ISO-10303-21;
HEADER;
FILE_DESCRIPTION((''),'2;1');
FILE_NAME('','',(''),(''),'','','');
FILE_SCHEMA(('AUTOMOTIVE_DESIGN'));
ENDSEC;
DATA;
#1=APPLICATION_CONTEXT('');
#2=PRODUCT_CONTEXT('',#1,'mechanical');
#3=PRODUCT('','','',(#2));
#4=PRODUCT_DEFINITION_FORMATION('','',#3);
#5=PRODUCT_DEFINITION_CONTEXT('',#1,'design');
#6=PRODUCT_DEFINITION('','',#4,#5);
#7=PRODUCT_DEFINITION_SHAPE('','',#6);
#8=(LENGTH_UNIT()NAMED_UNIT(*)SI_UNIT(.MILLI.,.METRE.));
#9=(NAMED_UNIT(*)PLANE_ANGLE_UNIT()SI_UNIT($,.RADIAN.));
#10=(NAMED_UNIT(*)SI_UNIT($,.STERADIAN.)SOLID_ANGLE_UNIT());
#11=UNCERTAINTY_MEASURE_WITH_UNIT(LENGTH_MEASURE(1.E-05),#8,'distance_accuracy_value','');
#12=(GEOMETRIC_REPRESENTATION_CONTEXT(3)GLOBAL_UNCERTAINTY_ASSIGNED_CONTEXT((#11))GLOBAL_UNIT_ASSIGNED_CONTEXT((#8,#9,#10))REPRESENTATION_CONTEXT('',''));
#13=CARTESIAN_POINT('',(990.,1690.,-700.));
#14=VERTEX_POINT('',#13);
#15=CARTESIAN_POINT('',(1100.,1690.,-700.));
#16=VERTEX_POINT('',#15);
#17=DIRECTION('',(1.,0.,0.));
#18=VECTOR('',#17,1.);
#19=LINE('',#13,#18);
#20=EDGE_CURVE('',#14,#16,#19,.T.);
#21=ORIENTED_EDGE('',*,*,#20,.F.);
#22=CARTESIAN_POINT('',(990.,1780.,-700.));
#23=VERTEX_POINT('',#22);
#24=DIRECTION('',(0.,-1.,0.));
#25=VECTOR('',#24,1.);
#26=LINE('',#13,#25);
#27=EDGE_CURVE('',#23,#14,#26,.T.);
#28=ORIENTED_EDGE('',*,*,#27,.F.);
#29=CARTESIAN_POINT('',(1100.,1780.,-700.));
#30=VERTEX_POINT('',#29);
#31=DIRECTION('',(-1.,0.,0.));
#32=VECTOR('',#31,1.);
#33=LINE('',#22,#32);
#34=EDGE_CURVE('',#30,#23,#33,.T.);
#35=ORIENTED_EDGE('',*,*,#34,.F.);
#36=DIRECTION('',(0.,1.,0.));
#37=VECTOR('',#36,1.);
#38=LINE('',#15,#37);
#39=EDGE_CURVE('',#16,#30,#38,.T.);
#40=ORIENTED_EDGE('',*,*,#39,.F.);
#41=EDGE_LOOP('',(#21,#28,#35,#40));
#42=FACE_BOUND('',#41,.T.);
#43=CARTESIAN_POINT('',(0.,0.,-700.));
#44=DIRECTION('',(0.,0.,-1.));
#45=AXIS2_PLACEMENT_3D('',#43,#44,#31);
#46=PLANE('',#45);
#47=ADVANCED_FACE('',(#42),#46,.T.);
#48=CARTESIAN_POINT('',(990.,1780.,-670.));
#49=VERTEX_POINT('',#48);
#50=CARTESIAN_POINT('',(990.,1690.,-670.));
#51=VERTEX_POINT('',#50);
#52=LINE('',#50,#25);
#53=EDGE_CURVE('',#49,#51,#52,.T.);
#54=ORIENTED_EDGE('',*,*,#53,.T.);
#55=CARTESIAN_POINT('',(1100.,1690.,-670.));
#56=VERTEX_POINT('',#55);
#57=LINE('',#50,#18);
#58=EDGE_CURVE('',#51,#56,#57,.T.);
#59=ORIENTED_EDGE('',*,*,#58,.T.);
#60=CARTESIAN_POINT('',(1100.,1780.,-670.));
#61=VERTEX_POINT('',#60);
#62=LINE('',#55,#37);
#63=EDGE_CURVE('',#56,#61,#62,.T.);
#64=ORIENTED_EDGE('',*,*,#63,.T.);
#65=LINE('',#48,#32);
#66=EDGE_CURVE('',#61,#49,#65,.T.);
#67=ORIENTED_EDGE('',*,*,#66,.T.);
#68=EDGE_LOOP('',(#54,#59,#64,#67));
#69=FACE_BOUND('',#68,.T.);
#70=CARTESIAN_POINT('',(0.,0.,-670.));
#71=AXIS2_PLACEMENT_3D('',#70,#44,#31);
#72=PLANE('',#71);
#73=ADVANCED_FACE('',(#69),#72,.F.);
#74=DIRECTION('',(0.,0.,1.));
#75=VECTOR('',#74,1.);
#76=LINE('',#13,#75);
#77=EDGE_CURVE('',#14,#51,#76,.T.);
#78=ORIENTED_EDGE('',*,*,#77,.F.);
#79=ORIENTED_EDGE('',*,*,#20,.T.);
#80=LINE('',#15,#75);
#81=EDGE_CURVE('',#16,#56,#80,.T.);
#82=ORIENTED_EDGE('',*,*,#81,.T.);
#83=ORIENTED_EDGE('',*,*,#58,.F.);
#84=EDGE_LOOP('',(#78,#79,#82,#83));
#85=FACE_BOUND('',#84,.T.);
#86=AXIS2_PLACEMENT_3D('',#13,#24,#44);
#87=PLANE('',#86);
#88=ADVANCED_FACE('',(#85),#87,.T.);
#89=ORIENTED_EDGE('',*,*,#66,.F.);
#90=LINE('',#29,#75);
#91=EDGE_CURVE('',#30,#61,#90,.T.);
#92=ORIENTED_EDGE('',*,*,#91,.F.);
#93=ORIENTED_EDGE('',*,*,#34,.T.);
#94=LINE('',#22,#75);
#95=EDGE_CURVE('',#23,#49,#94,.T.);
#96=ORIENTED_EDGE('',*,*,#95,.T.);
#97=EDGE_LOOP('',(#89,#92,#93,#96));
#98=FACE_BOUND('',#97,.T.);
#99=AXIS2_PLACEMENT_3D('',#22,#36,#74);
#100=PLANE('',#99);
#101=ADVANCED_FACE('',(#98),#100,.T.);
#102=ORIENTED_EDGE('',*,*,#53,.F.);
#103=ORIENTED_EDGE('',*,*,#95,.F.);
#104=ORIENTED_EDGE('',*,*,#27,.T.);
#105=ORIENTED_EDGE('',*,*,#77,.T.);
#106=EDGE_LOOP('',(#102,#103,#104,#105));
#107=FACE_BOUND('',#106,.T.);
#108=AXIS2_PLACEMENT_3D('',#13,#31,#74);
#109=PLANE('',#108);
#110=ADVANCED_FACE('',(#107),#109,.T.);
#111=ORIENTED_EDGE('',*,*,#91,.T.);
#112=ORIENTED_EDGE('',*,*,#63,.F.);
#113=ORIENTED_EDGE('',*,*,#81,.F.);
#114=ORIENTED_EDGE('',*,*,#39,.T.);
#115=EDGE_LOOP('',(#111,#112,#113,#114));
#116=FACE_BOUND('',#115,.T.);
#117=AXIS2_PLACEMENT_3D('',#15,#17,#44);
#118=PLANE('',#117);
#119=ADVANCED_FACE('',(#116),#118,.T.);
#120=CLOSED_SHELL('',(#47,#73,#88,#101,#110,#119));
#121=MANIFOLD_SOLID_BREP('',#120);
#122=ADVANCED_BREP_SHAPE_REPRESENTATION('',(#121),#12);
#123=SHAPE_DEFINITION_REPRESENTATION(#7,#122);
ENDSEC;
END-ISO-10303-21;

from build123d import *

# Parameters (mm, degrees)
STORE_PANO_ROLE_KARTI_1_8KANAL_1_START = -670
SKETCH1_W                              = 110
SKETCH1_H                              = 90
STORE_PANO_ROLE_KARTI_1_8KANAL_1_DEPTH = 30


with BuildPart() as part:
    # Sketch1 → STORE_pano_role_karti_1_8kanal_1 (new body)
    with BuildSketch(Plane.XY.offset(STORE_PANO_ROLE_KARTI_1_8KANAL_1_START)):
        with Locations((1045, 1735)):
            Rectangle(SKETCH1_W, SKETCH1_H)
    extrude(amount=-STORE_PANO_ROLE_KARTI_1_8KANAL_1_DEPTH)


solid = part.part
